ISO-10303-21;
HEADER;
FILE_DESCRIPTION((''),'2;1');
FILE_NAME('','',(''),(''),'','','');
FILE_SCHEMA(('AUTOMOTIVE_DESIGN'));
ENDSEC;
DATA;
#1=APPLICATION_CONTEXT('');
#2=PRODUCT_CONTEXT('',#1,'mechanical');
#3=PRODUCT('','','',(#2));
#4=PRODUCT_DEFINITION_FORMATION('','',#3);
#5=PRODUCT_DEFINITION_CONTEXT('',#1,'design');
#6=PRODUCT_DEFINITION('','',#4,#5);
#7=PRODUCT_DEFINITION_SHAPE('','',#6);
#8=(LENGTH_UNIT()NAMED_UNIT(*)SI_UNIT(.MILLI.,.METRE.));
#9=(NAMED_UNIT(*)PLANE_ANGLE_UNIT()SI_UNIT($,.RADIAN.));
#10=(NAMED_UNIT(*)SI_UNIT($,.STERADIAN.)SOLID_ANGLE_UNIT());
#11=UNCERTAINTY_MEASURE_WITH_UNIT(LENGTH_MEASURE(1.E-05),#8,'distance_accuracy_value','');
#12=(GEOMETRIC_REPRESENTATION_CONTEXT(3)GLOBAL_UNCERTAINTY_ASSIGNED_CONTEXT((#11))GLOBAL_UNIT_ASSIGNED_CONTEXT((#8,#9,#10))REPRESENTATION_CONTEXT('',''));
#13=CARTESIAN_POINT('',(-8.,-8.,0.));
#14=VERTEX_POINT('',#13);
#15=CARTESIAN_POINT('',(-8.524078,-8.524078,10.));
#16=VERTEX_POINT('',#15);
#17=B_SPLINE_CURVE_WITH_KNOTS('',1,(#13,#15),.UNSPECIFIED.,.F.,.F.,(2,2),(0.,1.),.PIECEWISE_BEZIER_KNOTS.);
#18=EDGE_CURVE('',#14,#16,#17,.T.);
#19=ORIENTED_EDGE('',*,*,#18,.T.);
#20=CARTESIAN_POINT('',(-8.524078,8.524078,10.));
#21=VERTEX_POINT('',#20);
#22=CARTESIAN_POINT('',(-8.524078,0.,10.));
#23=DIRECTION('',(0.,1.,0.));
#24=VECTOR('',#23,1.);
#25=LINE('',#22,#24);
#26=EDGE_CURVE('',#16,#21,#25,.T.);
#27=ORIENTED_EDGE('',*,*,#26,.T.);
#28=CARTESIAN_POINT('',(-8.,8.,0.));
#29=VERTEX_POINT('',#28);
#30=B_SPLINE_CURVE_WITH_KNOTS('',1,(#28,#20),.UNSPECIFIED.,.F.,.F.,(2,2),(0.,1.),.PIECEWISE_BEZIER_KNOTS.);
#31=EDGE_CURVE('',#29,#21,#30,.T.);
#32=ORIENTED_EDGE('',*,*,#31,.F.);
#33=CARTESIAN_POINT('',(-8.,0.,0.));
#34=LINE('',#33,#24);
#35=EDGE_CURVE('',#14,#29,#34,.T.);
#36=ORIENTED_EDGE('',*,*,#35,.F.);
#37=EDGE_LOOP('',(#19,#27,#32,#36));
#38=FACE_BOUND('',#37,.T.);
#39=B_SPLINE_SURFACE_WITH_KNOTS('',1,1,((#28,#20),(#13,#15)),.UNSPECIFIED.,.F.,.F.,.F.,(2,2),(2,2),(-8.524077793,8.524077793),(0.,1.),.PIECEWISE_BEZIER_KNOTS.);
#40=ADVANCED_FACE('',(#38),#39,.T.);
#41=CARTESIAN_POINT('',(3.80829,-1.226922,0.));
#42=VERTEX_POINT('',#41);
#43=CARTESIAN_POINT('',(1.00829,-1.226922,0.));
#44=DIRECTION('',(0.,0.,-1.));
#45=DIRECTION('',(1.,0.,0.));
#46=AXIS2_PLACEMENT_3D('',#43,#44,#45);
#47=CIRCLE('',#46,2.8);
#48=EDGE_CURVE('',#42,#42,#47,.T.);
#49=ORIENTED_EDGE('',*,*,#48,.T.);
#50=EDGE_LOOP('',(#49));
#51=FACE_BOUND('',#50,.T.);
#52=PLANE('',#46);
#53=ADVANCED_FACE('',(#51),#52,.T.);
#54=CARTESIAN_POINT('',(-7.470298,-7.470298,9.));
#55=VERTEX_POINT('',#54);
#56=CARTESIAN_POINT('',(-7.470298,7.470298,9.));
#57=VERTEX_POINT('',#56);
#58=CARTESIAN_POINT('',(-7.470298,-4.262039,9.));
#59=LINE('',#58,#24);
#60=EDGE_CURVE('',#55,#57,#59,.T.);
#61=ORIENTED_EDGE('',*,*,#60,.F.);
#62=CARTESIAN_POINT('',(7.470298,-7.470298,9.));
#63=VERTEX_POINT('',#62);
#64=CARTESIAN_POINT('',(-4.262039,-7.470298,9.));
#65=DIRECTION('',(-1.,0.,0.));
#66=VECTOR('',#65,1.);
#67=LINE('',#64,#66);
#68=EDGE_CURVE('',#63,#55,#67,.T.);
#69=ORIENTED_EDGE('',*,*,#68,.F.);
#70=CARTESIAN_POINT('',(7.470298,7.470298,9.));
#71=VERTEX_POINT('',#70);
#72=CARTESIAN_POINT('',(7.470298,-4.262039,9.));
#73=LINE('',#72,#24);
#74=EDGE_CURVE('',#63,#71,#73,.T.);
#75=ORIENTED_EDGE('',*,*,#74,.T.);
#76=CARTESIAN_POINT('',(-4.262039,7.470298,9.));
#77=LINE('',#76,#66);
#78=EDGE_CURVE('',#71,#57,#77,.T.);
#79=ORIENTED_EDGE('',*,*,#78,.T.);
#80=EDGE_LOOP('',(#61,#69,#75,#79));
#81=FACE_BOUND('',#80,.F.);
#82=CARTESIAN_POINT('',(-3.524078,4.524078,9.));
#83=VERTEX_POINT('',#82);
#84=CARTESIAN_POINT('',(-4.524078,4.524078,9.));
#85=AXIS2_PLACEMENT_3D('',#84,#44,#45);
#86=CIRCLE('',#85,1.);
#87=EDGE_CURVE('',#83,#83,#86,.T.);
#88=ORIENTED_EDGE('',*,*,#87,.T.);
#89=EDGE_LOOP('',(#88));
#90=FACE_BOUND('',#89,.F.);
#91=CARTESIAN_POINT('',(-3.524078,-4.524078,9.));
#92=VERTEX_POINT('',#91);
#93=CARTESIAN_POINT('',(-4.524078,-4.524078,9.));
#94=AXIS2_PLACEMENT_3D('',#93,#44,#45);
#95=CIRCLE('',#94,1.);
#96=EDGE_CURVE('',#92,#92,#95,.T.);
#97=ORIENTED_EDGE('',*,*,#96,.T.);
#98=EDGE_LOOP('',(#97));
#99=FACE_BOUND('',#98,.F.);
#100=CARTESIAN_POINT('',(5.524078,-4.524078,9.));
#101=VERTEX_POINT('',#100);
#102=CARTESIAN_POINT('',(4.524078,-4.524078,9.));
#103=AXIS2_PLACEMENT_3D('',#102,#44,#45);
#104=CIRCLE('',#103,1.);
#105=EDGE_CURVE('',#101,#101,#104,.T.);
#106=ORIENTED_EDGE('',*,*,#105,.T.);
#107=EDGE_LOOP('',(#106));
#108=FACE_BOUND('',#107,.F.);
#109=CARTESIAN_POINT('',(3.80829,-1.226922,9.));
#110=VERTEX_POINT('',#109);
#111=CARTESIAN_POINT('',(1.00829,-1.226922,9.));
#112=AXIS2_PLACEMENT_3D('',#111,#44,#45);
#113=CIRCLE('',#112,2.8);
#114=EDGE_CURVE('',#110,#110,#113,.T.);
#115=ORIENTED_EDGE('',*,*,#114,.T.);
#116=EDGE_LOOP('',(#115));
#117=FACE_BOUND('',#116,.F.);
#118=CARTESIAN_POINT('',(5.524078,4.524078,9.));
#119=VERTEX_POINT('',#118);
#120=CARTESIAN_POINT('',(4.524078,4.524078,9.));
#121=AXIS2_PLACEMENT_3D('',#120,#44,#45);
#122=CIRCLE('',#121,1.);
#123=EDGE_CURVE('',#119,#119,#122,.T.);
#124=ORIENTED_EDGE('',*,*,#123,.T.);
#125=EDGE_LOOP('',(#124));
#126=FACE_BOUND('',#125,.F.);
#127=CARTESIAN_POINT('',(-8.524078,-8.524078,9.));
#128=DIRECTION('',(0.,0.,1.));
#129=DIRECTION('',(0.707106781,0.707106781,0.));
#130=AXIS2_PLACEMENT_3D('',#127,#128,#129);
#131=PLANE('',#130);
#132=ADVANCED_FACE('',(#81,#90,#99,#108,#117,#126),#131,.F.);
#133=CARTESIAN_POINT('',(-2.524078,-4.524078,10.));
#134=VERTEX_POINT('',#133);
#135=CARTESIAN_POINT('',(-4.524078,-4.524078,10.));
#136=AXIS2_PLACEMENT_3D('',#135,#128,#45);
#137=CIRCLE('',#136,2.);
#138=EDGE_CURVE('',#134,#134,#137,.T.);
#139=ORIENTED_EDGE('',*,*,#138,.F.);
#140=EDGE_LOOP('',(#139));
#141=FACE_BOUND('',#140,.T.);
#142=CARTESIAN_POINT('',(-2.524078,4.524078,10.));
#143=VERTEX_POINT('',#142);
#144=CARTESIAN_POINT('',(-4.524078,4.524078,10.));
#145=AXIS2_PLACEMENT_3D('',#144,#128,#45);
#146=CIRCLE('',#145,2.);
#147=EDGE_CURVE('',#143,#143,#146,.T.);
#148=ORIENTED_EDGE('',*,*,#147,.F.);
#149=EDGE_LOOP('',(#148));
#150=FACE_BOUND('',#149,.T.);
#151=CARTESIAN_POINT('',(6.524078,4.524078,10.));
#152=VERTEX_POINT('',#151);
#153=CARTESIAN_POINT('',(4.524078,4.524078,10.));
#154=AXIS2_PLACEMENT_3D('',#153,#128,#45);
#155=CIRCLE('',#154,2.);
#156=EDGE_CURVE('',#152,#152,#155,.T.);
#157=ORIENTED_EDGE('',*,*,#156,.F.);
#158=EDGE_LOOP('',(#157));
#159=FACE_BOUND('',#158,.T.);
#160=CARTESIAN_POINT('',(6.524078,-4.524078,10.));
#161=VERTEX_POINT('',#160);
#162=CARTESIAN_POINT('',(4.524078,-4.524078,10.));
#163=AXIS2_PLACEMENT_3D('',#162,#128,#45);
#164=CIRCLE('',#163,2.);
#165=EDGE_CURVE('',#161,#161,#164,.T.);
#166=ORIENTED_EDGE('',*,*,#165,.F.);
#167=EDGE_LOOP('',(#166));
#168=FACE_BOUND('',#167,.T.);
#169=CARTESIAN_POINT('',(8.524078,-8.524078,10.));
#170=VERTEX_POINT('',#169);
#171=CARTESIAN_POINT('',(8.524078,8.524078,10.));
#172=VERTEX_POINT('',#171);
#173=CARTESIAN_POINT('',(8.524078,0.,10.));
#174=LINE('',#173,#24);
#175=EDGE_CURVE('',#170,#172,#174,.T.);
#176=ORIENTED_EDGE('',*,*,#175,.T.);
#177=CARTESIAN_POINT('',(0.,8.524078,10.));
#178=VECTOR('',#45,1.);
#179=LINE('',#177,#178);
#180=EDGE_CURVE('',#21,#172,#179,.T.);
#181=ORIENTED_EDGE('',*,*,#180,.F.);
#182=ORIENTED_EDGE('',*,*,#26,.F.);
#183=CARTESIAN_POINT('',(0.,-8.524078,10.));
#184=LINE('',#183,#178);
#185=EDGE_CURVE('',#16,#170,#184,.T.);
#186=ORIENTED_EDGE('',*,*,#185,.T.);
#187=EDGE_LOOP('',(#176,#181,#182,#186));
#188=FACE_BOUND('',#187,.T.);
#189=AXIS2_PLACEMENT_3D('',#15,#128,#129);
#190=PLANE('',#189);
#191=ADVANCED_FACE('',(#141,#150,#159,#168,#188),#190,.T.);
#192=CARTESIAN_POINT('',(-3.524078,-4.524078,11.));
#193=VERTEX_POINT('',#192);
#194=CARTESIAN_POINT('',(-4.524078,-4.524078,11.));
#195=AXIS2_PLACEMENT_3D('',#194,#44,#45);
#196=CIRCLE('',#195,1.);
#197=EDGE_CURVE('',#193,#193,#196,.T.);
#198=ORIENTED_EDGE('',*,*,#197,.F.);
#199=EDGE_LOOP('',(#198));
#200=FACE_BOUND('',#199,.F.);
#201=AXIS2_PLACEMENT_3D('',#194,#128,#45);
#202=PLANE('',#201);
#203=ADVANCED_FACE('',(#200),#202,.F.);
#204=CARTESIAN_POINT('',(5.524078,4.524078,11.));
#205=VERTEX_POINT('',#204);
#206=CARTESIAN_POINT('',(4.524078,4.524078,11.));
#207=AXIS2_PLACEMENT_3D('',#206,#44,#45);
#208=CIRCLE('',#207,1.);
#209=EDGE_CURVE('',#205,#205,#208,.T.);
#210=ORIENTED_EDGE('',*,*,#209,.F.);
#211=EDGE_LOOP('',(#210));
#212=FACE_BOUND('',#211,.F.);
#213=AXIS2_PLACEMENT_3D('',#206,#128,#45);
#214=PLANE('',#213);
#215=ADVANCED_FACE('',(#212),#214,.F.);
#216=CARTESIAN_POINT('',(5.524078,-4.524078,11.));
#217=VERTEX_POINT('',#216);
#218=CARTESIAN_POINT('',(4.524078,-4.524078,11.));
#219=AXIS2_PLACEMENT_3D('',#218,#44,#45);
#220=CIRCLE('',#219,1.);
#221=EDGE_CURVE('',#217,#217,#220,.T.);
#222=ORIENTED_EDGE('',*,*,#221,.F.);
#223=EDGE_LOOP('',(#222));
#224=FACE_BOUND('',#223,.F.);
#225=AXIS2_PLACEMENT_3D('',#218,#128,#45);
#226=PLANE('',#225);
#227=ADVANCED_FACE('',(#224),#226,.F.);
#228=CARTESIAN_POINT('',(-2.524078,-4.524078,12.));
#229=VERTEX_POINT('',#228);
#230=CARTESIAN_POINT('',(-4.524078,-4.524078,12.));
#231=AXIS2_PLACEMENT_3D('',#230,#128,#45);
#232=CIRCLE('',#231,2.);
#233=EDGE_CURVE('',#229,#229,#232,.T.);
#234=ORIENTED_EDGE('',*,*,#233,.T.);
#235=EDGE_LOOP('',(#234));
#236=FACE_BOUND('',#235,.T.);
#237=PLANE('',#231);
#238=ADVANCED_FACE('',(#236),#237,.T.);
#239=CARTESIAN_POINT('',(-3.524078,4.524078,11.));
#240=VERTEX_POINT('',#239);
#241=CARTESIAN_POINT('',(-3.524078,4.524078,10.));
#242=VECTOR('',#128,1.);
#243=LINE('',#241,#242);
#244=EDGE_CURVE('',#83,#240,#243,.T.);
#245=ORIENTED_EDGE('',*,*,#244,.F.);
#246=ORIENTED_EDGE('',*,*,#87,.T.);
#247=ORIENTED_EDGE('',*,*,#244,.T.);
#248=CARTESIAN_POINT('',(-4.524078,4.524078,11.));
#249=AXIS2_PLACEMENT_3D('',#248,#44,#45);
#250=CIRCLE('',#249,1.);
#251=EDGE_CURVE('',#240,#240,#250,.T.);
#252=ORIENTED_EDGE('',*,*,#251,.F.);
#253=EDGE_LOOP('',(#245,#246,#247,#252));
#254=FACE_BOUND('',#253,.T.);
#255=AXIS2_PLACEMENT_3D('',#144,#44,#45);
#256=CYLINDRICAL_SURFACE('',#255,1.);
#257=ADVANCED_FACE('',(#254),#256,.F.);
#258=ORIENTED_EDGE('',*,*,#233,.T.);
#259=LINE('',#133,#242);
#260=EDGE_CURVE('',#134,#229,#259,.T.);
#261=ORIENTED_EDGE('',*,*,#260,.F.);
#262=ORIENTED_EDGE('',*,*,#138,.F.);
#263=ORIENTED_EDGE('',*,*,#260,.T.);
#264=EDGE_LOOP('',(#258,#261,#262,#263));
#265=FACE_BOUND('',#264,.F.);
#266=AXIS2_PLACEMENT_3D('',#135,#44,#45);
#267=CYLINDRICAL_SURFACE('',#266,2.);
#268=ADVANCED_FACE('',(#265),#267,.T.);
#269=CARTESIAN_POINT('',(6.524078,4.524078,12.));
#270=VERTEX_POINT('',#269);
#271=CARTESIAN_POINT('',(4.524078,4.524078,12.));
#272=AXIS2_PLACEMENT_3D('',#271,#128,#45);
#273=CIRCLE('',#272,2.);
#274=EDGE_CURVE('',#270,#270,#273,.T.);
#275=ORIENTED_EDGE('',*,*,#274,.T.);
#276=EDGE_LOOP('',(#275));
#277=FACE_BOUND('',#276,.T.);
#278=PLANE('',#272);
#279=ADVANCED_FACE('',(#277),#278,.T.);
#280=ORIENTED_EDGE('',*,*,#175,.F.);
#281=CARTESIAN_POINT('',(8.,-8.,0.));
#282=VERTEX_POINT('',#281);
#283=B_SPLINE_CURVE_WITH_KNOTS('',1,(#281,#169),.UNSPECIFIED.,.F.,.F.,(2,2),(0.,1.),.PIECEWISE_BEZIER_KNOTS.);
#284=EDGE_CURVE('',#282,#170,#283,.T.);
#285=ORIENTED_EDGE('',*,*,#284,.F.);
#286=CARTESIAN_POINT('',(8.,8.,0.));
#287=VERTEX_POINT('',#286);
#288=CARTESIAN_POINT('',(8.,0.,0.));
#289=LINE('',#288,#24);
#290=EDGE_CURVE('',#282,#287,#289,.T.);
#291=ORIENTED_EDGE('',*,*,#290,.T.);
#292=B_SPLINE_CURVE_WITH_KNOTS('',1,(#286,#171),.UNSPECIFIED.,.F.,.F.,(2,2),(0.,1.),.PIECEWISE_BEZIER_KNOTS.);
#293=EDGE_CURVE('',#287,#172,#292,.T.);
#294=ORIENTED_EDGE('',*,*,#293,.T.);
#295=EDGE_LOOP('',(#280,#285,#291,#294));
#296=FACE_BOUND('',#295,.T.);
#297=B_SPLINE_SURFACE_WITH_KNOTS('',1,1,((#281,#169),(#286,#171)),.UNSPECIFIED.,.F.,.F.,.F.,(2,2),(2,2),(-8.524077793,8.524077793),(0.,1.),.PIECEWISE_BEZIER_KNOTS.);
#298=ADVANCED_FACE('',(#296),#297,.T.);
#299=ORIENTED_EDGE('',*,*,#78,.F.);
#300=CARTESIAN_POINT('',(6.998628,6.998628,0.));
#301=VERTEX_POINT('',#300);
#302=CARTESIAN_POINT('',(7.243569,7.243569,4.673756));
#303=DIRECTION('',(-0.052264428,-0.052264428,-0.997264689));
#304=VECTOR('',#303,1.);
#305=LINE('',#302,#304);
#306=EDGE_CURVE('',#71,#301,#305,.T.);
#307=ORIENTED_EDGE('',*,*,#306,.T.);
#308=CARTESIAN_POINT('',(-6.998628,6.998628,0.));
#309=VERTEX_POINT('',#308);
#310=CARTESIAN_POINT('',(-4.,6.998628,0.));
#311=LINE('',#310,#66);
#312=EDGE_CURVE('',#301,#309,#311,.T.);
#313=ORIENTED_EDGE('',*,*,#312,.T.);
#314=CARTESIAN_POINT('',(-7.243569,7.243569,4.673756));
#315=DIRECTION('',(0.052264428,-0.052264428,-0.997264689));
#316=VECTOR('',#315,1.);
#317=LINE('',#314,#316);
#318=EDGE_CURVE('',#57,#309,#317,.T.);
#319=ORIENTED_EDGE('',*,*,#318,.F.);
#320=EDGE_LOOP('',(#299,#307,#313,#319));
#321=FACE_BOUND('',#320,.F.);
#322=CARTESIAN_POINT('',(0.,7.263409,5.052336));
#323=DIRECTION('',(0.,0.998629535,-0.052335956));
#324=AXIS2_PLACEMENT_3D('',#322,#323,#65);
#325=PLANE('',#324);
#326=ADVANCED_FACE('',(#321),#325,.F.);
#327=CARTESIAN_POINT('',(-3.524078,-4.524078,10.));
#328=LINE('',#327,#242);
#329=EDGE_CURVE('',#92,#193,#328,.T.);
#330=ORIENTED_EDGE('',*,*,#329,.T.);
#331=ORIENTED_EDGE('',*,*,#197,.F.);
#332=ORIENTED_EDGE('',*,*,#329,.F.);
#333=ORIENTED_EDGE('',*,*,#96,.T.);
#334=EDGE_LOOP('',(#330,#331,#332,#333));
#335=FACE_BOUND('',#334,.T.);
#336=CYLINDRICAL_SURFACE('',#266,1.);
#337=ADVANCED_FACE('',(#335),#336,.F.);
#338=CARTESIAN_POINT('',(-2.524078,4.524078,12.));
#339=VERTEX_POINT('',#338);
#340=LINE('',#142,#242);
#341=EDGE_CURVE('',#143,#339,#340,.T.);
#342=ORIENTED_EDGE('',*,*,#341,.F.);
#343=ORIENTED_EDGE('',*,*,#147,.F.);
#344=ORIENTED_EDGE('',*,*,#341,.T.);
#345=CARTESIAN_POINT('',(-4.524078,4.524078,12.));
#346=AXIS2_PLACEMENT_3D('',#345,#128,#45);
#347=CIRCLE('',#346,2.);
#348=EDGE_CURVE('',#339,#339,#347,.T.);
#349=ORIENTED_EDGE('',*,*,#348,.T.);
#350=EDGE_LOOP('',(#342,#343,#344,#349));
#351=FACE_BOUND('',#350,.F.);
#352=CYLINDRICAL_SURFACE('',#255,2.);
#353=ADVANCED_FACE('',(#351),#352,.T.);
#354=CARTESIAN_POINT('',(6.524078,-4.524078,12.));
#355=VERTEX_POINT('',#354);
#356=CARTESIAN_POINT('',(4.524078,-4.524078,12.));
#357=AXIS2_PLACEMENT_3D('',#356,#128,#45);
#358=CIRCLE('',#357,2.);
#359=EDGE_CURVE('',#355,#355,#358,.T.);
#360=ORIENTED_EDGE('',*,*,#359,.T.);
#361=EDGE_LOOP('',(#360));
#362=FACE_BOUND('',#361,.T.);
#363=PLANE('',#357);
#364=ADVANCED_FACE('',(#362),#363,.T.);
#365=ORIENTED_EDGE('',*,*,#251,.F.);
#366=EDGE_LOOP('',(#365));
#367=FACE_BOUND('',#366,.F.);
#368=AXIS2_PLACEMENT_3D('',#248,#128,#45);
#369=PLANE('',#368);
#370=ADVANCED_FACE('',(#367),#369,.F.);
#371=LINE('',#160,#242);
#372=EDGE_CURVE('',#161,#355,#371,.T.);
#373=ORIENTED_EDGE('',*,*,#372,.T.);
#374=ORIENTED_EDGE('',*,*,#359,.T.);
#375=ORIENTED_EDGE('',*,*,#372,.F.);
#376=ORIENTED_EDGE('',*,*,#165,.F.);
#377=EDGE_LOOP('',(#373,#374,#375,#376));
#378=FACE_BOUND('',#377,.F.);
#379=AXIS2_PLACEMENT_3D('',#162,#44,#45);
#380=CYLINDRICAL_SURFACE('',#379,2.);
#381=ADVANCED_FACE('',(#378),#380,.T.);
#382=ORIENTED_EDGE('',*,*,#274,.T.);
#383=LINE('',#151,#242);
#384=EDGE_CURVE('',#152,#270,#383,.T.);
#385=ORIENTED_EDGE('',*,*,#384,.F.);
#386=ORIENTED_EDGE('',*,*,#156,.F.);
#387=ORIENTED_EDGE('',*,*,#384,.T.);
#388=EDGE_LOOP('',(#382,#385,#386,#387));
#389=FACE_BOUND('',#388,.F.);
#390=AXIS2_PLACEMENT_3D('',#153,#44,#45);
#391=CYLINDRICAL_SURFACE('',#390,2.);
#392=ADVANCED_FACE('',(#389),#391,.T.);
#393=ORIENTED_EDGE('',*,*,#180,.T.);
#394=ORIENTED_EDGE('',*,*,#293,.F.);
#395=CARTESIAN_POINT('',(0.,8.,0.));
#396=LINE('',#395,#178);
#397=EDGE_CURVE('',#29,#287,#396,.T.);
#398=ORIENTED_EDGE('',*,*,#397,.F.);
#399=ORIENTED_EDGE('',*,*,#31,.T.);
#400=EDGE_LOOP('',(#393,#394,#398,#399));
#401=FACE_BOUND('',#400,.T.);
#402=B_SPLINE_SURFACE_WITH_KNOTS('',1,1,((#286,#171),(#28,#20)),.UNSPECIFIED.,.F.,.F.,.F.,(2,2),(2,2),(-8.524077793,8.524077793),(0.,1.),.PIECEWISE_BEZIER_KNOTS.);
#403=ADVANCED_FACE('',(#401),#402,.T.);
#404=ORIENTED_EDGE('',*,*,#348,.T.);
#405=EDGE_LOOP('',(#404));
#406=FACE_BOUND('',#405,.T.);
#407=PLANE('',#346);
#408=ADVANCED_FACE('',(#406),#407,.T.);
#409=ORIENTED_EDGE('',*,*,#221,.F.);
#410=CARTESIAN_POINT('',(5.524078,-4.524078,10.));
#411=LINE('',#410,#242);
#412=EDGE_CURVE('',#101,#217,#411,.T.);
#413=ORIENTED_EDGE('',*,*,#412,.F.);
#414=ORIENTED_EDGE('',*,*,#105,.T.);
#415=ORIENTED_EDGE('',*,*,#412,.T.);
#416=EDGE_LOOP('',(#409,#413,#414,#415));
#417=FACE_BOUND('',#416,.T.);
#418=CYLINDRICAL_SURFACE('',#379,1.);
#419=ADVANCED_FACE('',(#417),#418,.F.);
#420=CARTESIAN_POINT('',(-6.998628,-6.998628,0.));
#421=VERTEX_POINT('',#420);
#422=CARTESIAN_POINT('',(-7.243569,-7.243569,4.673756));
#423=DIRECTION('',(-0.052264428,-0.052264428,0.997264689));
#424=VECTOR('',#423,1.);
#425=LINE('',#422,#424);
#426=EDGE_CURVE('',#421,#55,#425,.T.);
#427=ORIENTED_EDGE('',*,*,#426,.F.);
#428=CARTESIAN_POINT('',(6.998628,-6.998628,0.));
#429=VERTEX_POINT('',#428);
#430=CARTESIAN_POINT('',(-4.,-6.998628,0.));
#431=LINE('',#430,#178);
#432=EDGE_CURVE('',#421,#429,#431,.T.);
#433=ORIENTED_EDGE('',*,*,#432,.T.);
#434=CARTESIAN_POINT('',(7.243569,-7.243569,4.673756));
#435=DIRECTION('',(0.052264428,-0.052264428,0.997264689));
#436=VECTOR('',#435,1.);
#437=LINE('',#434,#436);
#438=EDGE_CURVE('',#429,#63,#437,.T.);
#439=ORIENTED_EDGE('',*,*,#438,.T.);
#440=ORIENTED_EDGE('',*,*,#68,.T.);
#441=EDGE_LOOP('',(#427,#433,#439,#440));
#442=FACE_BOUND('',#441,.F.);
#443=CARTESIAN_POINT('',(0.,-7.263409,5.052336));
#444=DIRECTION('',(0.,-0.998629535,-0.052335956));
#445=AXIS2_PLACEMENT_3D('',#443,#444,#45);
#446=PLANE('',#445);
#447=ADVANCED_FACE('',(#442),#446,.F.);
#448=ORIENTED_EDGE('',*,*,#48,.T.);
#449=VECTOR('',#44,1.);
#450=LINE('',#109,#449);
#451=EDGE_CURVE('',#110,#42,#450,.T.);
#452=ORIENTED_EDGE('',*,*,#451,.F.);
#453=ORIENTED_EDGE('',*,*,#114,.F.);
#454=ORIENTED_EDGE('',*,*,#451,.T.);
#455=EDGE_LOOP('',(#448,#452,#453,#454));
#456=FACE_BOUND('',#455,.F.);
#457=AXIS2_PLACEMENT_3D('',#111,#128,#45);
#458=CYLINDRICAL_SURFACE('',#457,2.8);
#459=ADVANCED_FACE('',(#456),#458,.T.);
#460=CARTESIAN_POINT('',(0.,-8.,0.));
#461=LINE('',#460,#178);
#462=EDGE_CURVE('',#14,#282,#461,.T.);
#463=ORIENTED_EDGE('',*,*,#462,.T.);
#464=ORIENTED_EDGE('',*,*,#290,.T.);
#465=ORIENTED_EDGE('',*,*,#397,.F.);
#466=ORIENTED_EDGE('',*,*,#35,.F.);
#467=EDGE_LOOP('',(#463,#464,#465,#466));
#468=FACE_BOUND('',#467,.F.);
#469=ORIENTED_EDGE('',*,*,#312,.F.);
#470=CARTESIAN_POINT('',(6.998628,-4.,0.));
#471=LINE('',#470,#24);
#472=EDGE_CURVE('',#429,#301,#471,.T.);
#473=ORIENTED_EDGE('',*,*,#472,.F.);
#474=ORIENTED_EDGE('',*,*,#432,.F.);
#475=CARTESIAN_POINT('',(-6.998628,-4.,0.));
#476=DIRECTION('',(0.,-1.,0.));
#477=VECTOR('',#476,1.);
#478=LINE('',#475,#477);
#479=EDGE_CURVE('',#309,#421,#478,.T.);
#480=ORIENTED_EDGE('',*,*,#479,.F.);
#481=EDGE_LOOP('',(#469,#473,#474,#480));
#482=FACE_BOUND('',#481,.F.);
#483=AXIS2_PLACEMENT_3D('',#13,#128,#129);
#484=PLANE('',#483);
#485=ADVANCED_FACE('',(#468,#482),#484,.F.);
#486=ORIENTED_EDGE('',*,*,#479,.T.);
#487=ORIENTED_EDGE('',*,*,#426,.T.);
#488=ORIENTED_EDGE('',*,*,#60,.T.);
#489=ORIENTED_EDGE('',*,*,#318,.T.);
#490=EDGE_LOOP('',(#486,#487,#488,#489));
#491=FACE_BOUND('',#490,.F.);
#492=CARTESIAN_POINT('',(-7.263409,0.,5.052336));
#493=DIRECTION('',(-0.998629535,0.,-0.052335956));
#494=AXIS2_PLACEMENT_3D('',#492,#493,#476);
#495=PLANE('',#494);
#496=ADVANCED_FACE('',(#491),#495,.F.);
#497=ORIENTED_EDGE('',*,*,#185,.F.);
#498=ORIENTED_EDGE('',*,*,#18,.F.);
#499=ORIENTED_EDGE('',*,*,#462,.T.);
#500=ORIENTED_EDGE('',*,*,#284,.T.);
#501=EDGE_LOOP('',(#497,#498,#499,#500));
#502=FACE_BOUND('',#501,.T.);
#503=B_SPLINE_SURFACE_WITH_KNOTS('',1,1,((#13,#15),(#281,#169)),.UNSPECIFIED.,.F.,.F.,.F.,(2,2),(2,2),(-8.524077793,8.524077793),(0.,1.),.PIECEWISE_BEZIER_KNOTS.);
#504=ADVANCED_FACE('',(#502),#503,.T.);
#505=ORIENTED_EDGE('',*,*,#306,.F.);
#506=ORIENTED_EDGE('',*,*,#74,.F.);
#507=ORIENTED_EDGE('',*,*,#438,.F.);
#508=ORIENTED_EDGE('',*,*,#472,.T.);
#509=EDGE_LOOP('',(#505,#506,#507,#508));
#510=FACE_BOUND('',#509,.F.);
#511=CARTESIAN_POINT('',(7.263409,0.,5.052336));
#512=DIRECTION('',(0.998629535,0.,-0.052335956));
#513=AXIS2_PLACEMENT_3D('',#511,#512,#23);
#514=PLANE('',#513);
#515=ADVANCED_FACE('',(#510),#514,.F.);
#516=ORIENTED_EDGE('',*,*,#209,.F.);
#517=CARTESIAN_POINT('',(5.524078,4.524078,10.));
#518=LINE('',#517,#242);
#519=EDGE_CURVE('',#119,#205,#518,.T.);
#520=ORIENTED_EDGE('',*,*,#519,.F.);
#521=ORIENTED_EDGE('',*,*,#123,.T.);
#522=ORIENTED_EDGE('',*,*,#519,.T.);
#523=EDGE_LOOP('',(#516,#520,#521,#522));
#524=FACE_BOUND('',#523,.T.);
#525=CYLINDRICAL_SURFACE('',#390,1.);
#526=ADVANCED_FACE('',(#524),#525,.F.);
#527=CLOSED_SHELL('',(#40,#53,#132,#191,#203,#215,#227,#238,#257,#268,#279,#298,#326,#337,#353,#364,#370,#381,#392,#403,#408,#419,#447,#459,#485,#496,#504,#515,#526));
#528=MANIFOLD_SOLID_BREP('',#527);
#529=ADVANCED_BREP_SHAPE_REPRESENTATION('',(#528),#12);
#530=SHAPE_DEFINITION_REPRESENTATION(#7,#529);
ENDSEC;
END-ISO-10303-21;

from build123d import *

# Parameters (mm, degrees)
F0_W     = 16
F0_H     = 16
F1_DEPTH = 10
F1_TAPER = -3
F2_R     = 2
F3_DEPTH = 2
F4_T     = -1
F5_R     = 2.8
F6_DEPTH = 9


with BuildPart() as f1:
    # F0 (on Top) → F1 (new body)
    with BuildSketch(Plane.XY):
        Rectangle(F0_W, F0_H)
    extrude(amount=F1_DEPTH, taper=F1_TAPER)

    # F2 (on face) → F3 (join)
    with BuildSketch(Plane.XY.offset(10)):
        with Locations((-4.5240777928, 4.5240777928)):
            Circle(F2_R)
        with Locations((4.5240777928, 4.5240777928)):
            Circle(F2_R)
        with Locations((4.5240777928, -4.5240777928)):
            Circle(F2_R)
        with Locations((-4.5240777928, -4.5240777928)):
            Circle(F2_R)
    extrude(amount=F3_DEPTH)

    # F4
    f4_openings = [f1.faces().sort_by_distance(p)[0] for p in [
        (0, 0, 0),
    ]]
    offset(amount=F4_T, openings=f4_openings, kind=Kind.INTERSECTION)

    # F5 (on face) → F6 (join)
    with BuildSketch(Plane(origin=(0, 0, 9), x_dir=(1, 0, 0), z_dir=(0, 0, -1))):
        with Locations((1.0082904482, 1.2269222643)):
            Circle(F5_R)
    extrude(amount=F6_DEPTH)


solid = f1.part
